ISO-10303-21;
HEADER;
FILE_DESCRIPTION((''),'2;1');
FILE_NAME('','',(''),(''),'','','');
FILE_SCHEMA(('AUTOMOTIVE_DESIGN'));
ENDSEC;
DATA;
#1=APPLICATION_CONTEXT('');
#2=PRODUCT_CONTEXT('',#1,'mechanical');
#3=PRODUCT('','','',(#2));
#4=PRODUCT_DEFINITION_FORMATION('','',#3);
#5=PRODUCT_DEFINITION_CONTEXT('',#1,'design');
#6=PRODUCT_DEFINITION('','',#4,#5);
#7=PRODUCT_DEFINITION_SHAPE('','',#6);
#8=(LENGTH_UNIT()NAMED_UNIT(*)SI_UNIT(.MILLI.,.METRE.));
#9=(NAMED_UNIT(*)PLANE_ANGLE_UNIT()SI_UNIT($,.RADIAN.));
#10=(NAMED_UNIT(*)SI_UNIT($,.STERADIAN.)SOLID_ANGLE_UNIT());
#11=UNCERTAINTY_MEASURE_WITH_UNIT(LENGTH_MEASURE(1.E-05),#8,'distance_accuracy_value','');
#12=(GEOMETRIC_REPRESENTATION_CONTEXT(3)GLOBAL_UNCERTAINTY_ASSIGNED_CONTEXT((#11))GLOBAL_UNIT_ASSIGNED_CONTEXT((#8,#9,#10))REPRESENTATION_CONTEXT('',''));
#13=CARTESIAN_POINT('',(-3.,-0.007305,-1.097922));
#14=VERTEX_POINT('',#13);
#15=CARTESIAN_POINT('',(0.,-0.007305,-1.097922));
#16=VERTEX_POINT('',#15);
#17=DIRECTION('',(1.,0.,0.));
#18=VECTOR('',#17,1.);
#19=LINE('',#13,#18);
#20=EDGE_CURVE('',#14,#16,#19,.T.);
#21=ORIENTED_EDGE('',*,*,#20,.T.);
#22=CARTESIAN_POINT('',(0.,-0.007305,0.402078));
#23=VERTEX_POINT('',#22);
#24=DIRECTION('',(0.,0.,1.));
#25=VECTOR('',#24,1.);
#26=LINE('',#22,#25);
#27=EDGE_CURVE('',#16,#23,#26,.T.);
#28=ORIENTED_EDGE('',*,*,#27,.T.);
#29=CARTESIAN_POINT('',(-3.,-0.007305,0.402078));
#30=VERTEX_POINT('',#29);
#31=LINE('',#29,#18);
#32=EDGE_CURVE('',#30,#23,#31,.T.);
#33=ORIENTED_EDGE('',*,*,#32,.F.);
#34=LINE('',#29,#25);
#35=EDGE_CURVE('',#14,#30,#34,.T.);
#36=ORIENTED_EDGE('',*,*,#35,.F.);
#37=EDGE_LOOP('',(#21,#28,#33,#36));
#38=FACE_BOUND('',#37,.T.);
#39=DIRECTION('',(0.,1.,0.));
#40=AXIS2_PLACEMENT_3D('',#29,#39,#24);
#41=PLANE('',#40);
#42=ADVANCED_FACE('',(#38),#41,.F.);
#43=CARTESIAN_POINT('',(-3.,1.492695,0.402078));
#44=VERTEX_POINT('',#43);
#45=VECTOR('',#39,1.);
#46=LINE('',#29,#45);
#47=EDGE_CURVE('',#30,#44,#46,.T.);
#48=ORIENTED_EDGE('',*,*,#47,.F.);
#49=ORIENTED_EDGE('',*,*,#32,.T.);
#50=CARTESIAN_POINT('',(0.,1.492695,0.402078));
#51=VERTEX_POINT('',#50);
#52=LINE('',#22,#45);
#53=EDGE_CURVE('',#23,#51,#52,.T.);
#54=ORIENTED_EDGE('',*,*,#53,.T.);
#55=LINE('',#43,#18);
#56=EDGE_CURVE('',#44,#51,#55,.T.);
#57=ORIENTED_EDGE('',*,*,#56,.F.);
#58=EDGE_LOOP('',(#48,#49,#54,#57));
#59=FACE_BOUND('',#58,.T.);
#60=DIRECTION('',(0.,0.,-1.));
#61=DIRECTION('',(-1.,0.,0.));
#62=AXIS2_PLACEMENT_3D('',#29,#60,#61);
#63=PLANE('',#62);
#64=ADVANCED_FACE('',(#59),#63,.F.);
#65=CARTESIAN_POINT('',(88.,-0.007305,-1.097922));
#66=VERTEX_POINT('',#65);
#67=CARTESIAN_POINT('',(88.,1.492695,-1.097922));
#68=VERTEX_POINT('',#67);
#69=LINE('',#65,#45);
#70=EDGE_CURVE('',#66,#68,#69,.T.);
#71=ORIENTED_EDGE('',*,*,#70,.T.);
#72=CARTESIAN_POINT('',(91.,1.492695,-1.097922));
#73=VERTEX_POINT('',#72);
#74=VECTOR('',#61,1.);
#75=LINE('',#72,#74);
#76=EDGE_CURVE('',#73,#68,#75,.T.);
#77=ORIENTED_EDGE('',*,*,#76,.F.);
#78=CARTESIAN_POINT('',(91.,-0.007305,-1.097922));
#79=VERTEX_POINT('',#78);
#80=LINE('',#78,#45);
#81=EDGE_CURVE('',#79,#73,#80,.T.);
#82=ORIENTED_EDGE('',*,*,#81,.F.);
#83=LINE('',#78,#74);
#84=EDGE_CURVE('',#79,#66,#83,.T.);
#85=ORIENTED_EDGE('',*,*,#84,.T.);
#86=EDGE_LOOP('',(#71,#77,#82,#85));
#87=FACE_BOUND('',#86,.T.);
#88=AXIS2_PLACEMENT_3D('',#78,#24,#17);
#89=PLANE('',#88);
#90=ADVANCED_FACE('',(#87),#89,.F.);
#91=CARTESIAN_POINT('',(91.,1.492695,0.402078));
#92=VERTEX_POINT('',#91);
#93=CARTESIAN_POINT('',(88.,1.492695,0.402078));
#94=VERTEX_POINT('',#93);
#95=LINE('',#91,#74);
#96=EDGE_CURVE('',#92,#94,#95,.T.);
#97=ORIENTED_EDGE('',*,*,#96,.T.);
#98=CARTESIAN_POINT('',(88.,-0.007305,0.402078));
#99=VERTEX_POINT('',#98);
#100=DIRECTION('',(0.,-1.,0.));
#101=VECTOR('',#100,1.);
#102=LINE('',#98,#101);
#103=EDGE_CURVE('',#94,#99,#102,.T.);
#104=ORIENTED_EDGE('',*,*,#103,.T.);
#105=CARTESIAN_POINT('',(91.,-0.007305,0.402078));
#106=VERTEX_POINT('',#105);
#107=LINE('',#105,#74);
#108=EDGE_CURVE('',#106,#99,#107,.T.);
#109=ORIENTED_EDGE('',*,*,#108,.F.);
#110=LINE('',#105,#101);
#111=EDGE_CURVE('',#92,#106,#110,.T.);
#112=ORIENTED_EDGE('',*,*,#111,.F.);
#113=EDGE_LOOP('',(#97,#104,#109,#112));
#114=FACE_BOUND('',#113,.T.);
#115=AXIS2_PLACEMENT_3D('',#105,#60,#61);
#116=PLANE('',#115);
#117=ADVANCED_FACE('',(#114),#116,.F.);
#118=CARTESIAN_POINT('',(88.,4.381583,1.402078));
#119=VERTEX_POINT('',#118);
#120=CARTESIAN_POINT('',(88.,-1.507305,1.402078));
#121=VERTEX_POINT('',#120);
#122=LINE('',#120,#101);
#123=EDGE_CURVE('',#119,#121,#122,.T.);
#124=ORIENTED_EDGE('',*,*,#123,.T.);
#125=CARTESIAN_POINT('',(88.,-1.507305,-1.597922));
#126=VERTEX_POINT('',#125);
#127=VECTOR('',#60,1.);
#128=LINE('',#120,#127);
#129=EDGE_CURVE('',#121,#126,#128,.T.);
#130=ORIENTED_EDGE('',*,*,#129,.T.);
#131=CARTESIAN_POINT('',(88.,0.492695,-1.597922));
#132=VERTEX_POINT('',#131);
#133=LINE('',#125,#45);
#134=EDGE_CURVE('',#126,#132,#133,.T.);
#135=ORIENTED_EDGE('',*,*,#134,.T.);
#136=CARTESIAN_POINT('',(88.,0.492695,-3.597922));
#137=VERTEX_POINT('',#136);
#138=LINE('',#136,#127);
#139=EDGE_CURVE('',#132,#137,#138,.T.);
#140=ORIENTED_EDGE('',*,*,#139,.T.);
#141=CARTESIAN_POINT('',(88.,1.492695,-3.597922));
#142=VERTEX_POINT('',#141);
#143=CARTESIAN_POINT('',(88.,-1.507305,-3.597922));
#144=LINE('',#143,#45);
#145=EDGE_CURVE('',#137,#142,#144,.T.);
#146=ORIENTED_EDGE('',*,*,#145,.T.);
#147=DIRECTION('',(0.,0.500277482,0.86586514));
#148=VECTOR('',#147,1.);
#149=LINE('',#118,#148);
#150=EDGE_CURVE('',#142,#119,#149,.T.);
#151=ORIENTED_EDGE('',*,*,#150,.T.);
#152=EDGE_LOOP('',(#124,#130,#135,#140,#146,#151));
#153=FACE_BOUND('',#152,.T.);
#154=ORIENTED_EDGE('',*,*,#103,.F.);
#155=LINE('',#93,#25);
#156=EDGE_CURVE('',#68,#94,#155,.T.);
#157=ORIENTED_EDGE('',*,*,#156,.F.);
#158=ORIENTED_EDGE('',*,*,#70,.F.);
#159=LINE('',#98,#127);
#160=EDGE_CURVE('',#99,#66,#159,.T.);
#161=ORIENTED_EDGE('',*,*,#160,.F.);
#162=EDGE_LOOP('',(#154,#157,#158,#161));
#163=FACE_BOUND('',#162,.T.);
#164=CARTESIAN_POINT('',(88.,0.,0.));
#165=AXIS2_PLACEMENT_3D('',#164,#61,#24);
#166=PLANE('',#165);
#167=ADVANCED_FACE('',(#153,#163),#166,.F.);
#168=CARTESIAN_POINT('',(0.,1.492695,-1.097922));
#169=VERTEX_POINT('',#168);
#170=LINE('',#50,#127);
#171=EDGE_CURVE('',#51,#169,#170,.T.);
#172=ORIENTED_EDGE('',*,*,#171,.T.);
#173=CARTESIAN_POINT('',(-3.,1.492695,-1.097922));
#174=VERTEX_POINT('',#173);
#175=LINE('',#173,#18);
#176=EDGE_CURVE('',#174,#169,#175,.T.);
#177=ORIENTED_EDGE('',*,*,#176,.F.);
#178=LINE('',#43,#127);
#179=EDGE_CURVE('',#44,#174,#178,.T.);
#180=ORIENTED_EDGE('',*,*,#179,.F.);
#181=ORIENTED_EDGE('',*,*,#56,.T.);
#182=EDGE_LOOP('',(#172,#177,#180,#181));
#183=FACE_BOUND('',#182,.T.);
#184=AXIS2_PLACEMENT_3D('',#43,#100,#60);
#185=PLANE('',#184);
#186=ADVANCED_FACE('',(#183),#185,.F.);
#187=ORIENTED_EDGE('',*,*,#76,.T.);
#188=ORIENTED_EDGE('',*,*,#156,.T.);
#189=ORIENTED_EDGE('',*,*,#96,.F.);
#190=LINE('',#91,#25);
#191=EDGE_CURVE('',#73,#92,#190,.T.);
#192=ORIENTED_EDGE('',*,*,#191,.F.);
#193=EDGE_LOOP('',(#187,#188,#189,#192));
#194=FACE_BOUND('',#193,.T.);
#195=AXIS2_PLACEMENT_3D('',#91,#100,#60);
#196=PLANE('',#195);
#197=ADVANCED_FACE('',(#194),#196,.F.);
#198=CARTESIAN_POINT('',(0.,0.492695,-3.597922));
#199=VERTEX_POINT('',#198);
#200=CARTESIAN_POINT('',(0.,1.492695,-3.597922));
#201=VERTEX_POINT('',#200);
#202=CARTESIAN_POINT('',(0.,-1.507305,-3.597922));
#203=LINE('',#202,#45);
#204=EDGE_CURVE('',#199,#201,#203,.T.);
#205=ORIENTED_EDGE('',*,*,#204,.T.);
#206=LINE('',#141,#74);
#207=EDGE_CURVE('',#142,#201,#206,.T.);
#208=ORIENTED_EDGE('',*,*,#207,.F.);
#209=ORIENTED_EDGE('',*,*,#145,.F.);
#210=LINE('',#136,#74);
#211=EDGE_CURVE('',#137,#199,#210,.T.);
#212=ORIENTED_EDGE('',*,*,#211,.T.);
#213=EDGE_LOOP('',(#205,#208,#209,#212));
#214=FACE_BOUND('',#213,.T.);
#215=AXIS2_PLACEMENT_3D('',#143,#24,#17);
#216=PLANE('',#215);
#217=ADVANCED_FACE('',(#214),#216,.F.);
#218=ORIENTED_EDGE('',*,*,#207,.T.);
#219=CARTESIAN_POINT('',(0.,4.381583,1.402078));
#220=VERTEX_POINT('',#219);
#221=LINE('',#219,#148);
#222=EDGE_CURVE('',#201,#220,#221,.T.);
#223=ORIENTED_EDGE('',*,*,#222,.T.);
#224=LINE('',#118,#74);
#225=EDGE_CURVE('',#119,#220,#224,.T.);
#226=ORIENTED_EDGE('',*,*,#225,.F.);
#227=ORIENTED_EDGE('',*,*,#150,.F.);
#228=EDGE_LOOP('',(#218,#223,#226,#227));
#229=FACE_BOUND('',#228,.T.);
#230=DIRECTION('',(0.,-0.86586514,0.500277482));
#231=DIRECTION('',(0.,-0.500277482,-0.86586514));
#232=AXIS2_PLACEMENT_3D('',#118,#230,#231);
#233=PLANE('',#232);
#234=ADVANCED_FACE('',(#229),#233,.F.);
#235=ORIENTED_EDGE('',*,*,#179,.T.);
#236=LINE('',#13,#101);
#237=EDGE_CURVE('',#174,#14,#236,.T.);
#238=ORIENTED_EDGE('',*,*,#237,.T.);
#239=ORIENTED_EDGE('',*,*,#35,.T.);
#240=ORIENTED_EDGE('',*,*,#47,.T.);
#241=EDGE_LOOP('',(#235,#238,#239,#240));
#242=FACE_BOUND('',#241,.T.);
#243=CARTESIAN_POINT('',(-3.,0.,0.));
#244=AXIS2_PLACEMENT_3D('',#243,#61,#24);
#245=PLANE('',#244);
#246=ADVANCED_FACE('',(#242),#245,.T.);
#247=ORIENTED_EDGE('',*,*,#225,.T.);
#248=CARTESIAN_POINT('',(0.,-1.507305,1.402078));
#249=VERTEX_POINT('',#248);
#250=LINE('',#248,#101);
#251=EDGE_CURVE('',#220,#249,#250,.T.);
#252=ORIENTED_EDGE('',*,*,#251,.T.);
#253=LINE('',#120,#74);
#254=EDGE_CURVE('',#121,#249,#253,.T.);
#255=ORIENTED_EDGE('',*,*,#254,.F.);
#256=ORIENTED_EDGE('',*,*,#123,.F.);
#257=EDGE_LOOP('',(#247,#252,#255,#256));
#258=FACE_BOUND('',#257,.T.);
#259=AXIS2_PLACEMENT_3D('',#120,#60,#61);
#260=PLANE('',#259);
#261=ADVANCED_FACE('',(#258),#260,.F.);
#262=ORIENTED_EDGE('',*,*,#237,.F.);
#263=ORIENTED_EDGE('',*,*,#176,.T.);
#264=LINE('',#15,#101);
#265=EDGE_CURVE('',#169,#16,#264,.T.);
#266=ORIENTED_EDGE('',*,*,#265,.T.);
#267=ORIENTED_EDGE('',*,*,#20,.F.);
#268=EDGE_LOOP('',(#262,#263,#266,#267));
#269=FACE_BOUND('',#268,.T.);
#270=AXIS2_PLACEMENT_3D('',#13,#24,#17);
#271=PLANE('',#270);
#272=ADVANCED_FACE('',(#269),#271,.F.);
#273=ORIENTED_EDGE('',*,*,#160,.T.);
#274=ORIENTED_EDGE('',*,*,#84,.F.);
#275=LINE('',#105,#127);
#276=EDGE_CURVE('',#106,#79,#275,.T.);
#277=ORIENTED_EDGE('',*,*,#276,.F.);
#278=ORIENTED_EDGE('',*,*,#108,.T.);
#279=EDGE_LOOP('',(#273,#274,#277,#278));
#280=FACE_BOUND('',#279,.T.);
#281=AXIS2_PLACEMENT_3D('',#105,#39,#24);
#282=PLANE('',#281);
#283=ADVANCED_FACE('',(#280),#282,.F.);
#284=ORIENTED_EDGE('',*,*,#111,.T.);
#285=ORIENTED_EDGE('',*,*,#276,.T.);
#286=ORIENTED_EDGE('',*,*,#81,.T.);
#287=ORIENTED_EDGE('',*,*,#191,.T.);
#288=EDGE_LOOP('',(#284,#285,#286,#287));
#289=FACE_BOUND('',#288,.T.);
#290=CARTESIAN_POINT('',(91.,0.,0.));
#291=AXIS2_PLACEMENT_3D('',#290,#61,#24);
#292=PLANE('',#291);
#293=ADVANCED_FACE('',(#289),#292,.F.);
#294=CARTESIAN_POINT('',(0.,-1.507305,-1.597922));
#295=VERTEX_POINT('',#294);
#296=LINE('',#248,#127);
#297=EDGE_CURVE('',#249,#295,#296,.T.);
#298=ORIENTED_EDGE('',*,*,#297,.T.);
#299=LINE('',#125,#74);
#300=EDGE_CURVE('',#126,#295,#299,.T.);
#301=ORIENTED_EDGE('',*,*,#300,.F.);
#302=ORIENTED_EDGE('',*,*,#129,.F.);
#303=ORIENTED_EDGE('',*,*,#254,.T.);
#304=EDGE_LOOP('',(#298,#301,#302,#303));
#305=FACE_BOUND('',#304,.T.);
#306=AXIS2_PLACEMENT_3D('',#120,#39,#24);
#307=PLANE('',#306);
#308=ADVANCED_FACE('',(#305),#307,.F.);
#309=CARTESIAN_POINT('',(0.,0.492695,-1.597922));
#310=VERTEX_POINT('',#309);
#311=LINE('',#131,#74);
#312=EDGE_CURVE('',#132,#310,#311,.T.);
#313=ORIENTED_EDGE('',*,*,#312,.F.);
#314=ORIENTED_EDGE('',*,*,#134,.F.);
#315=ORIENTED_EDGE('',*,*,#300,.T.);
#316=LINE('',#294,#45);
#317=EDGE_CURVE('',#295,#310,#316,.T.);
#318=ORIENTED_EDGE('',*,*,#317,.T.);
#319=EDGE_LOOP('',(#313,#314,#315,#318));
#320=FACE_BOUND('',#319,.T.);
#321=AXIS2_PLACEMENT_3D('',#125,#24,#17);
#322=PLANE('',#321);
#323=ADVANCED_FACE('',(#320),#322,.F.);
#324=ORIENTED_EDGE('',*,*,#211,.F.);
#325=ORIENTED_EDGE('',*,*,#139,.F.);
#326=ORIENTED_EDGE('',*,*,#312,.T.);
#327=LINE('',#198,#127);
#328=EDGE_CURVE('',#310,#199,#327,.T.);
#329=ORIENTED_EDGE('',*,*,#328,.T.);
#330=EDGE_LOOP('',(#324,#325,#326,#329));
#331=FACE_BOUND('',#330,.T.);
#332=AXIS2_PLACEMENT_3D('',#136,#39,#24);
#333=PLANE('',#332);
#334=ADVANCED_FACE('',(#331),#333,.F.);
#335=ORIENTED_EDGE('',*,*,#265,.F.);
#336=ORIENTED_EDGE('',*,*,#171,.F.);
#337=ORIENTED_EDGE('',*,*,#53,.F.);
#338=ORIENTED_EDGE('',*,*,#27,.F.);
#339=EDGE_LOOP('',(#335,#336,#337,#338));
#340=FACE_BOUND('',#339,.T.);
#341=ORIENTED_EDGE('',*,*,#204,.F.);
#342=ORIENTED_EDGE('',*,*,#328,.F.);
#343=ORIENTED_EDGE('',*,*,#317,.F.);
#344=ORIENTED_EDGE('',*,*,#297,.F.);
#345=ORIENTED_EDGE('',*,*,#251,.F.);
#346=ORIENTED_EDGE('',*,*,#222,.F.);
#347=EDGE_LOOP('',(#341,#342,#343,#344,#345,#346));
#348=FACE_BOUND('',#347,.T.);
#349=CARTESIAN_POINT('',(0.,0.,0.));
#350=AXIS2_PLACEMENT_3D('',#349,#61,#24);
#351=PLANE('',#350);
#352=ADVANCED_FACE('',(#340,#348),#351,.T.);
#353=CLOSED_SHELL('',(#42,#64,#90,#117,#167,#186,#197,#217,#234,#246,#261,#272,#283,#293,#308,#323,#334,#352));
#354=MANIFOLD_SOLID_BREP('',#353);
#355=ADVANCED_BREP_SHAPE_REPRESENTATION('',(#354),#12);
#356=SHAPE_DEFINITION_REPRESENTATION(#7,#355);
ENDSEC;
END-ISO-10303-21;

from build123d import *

# Parameters (mm, degrees)
BOSS_EXTRUDE1_DEPTH = 88
SKETCH2_W           = 2
SKETCH2_H           = 2
CUT_EXTRUDE1_DEPTH  = 88
SKETCH3_W           = 1.5
SKETCH3_H           = 1.5
BOSS_EXTRUDE2_DEPTH = 3
SKETCH4_W           = 1.5
SKETCH4_H           = 1.5
BOSS_EXTRUDE3_DEPTH = 3


with BuildPart() as part:
    # Sketch1 → Boss-Extrude1 (new body)
    with BuildSketch(Plane(origin=(0, 0, 0), x_dir=(0, 0, -1), z_dir=(1, 0, 0))):
        Polygon((-1.402077652, -1.507305482), (3.597922348, -1.507305482), (3.597922348, 1.492694518), (-1.402077652, 4.381582518), align=None)
    extrude(amount=BOSS_EXTRUDE1_DEPTH)

    # Sketch2 → Cut-Extrude1 (cut)
    with BuildSketch(Plane.ZY):
        with Locations((-2.597922348, -0.507305482)):
            Rectangle(SKETCH2_W, SKETCH2_H)
    extrude(amount=-CUT_EXTRUDE1_DEPTH, mode=Mode.SUBTRACT)

    # Sketch3 → Boss-Extrude2 (add)
    with BuildSketch(Plane.ZY):
        with Locations((-0.347922348, 0.742694518)):
            Rectangle(SKETCH3_W, SKETCH3_H)
    extrude(amount=BOSS_EXTRUDE2_DEPTH)

    # Sketch4 → Boss-Extrude3 (add)
    with BuildSketch(Plane(origin=(88, 0, 0), x_dir=(0, 0, -1), z_dir=(1, 0, 0))):
        with Locations((0.347922348, 0.742694518)):
            Rectangle(SKETCH4_W, SKETCH4_H)
    extrude(amount=BOSS_EXTRUDE3_DEPTH)


solid = part.part
